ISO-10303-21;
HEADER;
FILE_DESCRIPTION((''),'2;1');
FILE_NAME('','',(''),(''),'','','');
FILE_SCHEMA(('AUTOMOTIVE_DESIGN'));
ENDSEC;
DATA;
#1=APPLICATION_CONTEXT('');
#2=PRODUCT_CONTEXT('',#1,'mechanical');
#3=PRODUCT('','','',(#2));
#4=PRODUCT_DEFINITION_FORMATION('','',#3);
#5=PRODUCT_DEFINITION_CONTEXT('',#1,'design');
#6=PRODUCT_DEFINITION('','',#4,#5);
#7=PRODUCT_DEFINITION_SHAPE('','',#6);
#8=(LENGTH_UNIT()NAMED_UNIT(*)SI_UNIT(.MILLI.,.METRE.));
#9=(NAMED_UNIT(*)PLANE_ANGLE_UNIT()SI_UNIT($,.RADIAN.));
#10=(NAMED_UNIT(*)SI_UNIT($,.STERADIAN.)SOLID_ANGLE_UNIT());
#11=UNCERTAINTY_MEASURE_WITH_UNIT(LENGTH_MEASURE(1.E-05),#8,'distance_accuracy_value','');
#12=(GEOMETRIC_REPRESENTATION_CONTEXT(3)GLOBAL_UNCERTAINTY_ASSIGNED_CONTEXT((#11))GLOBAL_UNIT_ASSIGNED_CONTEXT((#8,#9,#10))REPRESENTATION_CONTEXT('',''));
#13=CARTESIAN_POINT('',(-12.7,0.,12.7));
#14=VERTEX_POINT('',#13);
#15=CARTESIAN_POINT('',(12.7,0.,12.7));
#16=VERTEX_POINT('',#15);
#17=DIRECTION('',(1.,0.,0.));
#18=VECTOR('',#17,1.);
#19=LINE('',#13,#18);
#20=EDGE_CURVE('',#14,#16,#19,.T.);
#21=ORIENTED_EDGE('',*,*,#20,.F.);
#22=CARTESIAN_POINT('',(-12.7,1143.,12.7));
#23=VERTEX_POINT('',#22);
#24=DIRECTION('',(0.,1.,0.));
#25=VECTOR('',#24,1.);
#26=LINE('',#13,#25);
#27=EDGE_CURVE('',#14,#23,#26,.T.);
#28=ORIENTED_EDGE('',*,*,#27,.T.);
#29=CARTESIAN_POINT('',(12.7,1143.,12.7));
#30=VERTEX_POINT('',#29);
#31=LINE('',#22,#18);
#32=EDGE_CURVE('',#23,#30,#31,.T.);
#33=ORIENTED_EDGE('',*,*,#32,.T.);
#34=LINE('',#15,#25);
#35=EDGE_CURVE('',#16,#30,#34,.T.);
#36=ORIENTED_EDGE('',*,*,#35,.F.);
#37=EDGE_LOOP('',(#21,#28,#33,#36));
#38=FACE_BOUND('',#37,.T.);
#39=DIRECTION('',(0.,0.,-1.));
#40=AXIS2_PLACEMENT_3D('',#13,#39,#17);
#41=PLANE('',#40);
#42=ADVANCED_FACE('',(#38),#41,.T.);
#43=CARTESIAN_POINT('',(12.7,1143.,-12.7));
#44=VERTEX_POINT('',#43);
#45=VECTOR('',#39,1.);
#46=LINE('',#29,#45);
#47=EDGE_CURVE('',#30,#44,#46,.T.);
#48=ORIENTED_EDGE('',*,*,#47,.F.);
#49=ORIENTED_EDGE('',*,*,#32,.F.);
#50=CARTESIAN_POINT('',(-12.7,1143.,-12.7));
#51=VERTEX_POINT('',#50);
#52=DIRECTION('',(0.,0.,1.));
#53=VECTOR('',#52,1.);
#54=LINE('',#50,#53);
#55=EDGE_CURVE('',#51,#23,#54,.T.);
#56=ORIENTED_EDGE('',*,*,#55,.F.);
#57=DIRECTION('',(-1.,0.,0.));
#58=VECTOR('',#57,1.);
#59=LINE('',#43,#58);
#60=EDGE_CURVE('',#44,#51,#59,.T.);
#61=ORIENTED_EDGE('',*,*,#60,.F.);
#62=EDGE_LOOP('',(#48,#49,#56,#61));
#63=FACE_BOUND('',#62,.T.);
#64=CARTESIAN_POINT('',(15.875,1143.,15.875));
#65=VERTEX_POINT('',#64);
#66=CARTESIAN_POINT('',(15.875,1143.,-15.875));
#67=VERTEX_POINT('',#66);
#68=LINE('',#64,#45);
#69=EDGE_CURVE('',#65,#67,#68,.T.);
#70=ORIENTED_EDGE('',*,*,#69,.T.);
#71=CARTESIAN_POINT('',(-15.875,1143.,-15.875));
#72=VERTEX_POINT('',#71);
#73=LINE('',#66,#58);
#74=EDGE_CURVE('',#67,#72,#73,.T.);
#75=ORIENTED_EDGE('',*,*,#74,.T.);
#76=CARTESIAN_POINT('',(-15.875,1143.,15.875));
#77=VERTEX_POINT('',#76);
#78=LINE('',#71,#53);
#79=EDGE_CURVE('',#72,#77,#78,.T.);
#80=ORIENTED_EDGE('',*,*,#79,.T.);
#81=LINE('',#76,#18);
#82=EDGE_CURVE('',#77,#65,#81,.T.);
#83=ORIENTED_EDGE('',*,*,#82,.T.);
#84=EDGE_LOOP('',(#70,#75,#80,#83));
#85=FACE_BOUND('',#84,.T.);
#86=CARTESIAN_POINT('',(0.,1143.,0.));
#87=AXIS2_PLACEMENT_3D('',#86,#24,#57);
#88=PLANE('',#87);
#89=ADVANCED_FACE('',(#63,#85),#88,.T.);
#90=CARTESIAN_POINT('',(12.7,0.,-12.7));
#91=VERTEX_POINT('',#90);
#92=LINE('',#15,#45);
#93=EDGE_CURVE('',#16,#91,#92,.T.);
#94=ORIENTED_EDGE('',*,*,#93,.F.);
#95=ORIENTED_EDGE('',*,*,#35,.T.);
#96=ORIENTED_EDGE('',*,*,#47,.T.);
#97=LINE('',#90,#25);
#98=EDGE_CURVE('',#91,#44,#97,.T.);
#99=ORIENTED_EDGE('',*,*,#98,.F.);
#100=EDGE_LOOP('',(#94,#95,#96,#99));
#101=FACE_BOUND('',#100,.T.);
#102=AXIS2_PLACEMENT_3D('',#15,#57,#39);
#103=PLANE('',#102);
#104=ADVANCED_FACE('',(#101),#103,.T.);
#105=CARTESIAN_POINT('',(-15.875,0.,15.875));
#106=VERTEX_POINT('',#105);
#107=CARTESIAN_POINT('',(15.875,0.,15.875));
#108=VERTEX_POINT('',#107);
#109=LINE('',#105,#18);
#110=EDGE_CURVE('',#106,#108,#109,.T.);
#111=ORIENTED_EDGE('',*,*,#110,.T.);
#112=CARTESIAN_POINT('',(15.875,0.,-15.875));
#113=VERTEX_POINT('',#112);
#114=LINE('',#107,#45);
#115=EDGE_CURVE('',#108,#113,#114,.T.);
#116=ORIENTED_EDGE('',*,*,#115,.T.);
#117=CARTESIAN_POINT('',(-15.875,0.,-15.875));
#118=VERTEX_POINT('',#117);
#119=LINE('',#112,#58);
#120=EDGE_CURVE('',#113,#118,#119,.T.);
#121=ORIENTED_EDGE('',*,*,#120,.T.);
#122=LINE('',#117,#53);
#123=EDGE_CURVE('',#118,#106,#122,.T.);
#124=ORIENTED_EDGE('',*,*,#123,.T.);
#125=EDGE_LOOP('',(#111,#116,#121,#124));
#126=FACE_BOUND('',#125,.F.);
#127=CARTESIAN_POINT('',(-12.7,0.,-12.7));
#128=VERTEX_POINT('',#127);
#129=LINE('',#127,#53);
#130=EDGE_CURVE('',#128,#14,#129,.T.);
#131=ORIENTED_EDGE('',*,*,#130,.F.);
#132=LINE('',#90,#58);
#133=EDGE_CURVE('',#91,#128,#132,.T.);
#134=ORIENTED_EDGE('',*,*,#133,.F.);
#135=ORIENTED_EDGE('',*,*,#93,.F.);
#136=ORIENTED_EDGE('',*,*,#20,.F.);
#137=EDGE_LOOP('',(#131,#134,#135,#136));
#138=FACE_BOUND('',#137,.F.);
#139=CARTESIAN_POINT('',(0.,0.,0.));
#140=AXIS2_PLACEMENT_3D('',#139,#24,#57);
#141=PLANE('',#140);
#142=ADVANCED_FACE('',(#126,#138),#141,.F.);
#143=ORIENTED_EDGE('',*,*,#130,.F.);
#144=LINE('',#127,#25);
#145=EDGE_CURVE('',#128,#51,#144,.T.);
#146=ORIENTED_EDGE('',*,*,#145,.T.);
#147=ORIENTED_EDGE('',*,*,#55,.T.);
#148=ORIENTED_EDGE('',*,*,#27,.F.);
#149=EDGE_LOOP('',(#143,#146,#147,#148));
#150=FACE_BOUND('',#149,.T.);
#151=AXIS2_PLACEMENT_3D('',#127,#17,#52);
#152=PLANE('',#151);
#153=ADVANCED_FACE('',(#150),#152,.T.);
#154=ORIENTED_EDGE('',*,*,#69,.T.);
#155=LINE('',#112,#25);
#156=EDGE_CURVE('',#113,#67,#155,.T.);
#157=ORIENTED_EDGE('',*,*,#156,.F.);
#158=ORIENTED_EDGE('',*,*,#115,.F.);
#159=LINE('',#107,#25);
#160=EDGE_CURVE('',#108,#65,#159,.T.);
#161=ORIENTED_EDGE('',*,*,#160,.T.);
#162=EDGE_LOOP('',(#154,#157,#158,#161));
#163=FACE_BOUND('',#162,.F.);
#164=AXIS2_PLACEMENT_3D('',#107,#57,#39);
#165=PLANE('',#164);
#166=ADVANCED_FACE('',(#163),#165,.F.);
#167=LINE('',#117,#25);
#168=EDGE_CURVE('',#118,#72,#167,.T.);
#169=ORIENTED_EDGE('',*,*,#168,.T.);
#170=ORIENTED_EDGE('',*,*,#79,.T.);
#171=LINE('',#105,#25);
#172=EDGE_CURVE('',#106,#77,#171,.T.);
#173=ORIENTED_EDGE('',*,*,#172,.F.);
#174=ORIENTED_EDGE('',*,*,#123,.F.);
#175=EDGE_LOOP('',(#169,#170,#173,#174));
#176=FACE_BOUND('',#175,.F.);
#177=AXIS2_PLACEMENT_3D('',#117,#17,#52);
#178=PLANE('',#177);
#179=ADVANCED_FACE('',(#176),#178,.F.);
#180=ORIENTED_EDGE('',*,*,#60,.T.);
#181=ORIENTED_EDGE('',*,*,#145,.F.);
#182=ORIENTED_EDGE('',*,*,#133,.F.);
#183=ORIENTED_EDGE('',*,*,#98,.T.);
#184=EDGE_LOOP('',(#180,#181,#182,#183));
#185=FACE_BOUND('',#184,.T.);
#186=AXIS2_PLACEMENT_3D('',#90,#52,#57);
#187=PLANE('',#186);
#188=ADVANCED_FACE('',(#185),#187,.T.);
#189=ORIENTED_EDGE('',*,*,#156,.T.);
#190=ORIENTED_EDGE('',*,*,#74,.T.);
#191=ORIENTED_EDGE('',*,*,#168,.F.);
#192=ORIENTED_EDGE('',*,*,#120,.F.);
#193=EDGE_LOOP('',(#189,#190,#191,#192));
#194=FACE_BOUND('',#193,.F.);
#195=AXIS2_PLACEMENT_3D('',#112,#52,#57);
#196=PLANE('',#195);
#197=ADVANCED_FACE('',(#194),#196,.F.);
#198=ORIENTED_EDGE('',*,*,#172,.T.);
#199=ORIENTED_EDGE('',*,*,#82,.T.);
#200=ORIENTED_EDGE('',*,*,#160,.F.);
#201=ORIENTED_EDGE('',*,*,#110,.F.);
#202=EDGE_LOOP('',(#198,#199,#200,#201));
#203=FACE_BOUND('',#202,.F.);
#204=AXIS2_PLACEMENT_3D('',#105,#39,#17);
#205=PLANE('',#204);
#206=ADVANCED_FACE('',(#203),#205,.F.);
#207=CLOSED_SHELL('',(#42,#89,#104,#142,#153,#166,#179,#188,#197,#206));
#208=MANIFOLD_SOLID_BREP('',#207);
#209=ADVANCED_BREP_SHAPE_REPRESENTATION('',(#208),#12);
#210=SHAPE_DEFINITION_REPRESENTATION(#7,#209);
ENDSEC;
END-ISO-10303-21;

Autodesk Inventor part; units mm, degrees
ref_plane "YZ Plane" through (0, 0, 0) normal (1, 0, 0) x (0, 1, 0)
ref_plane "XZ Plane" through (0, 0, 0) normal (0, 1, 0) x (-1, 0, 0)
ref_plane "XY Plane" through (0, 0, 0) normal (0, 0, 1) x (1, 0, 0)
sketch "Sketch1" plane through (0, 0, 0) normal (0, 1, 0) x (-1, 0, 0)
  line L0 (15.875, 15.875) -> (-15.875, 15.875)
  line L1 (-15.875, 15.875) -> (-15.875, -15.875)
  line L2 (-15.875, -15.875) -> (15.875, -15.875)
  line L3 (15.875, -15.875) -> (15.875, 15.875)
  line L4 (15.875, 15.875) -> (-15.875, -15.875) construction
  line L5 (-15.875, 15.875) -> (15.875, -15.875) construction
  line L6 (12.7, 12.7) -> (-12.7, 12.7)
  line L7 (-12.7, 12.7) -> (-12.7, -12.7)
  line L8 (-12.7, -12.7) -> (12.7, -12.7)
  line L9 (12.7, -12.7) -> (12.7, 12.7)
  line L10 (12.7, 12.7) -> (-12.7, -12.7) construction
  line L11 (-12.7, 12.7) -> (12.7, -12.7) construction
  point P0 (0, 0)
  dimension "d0" = 31.75
  dimension "d1" = 3.175
extrude "Extrusion1" add sketch "Sketch1" along normal blind 1143
equation "\"d0\" = tubeSize"
equation "\"d1\" = tubeThickness"
equation "\"d2\" = tubeLength"
equation "\"tubeSize\" = 31.75"
equation "\"tubeThickness\" = 3.175"
equation "\"tubeLength\" = 1143"
properties part number "1_250_inchSquareTube" material "Aluminum 6061"
